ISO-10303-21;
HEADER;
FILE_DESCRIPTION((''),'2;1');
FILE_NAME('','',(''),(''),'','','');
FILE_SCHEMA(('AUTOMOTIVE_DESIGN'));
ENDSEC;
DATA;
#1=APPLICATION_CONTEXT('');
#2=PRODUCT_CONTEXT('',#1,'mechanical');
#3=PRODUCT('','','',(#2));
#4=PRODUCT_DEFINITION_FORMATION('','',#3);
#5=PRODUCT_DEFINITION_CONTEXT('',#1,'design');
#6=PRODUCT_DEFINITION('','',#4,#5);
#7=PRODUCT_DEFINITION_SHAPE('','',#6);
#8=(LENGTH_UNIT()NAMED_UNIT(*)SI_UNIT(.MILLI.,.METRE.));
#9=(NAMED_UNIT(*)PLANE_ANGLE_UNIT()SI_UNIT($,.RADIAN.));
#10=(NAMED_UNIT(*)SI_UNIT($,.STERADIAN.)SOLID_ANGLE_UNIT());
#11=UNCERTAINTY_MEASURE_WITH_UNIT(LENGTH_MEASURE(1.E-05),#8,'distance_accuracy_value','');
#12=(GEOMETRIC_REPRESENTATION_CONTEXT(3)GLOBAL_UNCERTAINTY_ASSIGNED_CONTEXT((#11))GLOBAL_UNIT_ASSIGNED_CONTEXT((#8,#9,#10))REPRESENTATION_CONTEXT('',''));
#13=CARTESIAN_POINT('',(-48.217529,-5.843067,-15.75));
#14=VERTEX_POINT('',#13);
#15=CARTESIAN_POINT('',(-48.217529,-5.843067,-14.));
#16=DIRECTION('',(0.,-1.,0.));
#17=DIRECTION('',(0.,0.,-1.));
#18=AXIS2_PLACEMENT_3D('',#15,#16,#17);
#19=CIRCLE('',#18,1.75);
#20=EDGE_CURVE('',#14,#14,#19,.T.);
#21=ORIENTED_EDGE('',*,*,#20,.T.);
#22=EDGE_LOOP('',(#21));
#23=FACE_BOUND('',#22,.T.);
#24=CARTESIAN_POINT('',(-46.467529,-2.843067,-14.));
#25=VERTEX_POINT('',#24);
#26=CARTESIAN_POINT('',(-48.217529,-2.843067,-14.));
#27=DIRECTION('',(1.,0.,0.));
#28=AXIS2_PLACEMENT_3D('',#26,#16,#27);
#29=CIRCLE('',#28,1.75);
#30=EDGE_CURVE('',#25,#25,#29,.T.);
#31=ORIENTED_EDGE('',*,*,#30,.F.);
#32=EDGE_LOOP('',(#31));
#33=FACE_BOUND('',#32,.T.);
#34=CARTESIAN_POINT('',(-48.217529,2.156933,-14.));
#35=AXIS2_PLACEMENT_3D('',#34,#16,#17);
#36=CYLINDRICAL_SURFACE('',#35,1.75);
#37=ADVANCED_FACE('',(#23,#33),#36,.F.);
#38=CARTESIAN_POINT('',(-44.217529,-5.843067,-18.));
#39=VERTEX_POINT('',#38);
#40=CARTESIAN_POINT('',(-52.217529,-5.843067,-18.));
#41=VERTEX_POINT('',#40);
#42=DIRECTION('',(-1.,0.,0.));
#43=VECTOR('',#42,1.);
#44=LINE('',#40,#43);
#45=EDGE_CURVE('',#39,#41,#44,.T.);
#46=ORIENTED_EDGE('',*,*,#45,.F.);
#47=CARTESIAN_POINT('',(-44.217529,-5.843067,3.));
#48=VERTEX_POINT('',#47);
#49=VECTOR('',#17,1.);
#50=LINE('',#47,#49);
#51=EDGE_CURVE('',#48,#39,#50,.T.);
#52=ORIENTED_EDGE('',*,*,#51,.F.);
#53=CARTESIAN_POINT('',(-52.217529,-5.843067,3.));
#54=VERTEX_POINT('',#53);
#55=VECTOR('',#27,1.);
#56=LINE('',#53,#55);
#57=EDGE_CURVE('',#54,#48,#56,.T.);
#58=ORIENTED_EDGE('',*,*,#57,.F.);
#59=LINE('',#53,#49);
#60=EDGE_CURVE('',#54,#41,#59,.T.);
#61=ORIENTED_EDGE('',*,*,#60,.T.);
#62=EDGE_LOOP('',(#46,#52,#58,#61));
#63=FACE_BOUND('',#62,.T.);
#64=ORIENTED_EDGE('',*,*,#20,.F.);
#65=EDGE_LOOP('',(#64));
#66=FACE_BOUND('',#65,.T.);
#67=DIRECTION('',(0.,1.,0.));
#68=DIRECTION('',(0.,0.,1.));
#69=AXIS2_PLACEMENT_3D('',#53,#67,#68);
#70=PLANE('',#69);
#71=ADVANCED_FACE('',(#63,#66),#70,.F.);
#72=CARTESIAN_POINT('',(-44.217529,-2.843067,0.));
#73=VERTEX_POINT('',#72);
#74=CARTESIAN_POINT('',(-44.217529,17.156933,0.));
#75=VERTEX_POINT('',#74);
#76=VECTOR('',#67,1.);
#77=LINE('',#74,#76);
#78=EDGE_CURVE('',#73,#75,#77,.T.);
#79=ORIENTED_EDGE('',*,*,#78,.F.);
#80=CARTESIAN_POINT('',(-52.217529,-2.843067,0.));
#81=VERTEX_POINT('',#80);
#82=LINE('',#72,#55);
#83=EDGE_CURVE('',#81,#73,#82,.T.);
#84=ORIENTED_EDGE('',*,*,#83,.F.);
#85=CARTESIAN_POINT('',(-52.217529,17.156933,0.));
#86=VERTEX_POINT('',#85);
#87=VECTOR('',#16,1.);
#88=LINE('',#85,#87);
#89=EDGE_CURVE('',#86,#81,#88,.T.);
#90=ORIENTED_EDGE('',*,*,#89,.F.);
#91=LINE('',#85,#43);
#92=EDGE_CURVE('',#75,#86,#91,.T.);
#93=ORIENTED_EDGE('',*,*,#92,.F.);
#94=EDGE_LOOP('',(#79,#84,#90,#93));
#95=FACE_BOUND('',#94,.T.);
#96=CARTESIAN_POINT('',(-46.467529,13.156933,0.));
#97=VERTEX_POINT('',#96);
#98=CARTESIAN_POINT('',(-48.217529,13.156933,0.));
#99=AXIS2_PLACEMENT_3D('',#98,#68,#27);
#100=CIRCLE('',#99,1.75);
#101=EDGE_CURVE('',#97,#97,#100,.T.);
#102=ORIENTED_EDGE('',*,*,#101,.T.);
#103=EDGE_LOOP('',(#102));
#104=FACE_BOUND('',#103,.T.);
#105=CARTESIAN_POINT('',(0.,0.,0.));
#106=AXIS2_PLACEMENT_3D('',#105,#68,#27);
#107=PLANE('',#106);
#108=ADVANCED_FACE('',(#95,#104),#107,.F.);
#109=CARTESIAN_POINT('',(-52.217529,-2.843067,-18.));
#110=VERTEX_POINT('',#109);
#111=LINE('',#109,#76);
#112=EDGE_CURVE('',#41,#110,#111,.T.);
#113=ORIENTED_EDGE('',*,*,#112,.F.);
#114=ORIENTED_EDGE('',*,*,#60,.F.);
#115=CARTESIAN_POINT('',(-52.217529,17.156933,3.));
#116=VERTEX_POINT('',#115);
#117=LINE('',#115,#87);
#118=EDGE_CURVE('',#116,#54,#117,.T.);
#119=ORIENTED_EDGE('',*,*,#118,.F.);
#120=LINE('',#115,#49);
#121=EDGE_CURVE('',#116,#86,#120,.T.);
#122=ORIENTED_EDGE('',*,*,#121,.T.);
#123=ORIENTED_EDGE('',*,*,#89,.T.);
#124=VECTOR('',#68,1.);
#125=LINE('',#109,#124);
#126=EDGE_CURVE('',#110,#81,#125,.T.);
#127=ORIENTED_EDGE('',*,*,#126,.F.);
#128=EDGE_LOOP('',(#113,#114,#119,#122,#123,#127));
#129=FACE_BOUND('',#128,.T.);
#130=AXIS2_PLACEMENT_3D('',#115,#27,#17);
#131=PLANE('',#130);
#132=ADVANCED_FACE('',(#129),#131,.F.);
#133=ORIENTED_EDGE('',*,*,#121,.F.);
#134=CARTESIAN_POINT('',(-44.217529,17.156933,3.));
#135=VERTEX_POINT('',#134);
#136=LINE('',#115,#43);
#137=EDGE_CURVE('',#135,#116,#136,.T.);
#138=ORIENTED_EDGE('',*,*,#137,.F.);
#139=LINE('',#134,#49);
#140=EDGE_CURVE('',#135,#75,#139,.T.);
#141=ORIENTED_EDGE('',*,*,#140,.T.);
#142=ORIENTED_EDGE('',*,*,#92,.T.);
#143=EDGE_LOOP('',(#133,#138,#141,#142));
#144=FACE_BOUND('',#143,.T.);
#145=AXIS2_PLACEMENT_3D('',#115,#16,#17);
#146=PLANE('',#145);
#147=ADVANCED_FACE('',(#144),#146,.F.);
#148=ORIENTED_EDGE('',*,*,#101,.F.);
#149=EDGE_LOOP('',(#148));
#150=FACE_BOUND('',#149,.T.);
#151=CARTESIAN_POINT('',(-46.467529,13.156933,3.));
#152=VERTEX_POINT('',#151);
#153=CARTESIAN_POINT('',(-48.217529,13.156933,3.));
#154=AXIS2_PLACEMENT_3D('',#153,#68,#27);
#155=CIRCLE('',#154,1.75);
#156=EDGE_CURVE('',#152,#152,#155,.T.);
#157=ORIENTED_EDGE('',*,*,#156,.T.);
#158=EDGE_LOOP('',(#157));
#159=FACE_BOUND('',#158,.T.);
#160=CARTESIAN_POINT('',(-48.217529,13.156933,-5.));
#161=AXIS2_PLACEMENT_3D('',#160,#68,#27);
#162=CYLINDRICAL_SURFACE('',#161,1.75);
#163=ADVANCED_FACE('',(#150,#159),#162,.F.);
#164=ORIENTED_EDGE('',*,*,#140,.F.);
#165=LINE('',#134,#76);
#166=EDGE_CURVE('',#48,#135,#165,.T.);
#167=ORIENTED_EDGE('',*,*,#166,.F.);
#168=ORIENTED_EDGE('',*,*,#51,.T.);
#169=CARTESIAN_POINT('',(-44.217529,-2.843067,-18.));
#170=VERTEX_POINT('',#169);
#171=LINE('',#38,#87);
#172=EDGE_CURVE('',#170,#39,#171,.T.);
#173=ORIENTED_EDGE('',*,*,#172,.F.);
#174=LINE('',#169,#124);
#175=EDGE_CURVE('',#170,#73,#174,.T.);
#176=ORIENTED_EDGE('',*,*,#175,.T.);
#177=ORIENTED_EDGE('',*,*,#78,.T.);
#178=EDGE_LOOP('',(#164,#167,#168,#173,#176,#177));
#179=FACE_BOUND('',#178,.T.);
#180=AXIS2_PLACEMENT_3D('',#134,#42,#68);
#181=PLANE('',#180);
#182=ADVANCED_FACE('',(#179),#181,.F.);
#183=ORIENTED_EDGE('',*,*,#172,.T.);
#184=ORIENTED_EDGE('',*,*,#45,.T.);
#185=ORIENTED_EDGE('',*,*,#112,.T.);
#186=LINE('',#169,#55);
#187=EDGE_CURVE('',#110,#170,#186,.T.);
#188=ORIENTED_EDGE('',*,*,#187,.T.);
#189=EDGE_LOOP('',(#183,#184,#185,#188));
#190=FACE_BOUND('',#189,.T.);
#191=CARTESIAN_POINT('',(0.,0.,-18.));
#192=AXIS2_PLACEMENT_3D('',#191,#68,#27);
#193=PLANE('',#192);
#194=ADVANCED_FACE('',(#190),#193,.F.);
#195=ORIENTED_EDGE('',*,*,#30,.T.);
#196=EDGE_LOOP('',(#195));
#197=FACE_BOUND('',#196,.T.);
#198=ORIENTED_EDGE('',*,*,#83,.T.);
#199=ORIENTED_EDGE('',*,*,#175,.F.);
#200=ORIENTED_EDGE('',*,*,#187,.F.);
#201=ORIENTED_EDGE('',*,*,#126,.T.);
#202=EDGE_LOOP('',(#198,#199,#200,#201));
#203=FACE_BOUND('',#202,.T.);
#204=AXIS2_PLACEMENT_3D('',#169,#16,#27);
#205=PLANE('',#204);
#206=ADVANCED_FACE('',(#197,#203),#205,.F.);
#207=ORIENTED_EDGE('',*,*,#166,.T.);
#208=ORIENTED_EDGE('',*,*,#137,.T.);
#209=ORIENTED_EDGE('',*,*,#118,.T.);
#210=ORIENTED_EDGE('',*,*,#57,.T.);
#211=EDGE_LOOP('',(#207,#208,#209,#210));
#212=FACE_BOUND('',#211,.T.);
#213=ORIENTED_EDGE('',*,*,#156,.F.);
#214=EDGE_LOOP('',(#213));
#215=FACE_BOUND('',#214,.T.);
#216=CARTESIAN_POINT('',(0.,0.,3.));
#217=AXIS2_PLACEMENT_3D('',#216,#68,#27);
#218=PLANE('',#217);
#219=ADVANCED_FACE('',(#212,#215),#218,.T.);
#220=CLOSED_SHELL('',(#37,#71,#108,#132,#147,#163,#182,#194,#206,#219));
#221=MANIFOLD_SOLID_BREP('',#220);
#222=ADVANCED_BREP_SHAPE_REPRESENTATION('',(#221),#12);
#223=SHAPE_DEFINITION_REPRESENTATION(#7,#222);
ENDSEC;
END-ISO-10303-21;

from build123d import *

# Parameters (mm, degrees)
SKETCH1_W           = 8
SKETCH1_H           = 23
BOSS_EXTRUDE1_DEPTH = 3
SKETCH2_W           = 8
SKETCH2_H           = 3
BOSS_EXTRUDE2_DEPTH = 18
SKETCH3_R           = 1.75
CUT_EXTRUDE1_DEPTH  = 8
SKETCH4_R           = 1.75
CUT_EXTRUDE2_DEPTH  = 8


with BuildPart() as part:
    # Sketch1 → Boss-Extrude1 (new body)
    with BuildSketch(Plane.XY):
        with Locations((-48.217529248, 5.656933129)):
            Rectangle(SKETCH1_W, SKETCH1_H)
    extrude(amount=BOSS_EXTRUDE1_DEPTH)

    # Sketch2 → Boss-Extrude2 (add)
    with BuildSketch(Plane(origin=(0, 0, 0), x_dir=(-1, 0, 0), z_dir=(0, 0, -1))):
        with Locations((48.217529248, -4.343066871)):
            Rectangle(SKETCH2_W, SKETCH2_H)
    extrude(amount=BOSS_EXTRUDE2_DEPTH)

    # Sketch3 → Cut-Extrude1 (cut)
    with BuildSketch(Plane(origin=(0, -5.843066871, 0), x_dir=(-1, 0, 0), z_dir=(0, -1, 0))):
        with Locations(Location((48.217529248, 14, 0), (0, 0, 90))):
            Circle(SKETCH3_R)
    extrude(amount=-CUT_EXTRUDE1_DEPTH, mode=Mode.SUBTRACT)

    # Sketch4 → Cut-Extrude2 (cut)
    with BuildSketch(Plane.XY.offset(3)):
        with Locations((-48.217529248, 13.156933129)):
            Circle(SKETCH4_R)
    extrude(amount=-CUT_EXTRUDE2_DEPTH, mode=Mode.SUBTRACT)


solid = part.part
